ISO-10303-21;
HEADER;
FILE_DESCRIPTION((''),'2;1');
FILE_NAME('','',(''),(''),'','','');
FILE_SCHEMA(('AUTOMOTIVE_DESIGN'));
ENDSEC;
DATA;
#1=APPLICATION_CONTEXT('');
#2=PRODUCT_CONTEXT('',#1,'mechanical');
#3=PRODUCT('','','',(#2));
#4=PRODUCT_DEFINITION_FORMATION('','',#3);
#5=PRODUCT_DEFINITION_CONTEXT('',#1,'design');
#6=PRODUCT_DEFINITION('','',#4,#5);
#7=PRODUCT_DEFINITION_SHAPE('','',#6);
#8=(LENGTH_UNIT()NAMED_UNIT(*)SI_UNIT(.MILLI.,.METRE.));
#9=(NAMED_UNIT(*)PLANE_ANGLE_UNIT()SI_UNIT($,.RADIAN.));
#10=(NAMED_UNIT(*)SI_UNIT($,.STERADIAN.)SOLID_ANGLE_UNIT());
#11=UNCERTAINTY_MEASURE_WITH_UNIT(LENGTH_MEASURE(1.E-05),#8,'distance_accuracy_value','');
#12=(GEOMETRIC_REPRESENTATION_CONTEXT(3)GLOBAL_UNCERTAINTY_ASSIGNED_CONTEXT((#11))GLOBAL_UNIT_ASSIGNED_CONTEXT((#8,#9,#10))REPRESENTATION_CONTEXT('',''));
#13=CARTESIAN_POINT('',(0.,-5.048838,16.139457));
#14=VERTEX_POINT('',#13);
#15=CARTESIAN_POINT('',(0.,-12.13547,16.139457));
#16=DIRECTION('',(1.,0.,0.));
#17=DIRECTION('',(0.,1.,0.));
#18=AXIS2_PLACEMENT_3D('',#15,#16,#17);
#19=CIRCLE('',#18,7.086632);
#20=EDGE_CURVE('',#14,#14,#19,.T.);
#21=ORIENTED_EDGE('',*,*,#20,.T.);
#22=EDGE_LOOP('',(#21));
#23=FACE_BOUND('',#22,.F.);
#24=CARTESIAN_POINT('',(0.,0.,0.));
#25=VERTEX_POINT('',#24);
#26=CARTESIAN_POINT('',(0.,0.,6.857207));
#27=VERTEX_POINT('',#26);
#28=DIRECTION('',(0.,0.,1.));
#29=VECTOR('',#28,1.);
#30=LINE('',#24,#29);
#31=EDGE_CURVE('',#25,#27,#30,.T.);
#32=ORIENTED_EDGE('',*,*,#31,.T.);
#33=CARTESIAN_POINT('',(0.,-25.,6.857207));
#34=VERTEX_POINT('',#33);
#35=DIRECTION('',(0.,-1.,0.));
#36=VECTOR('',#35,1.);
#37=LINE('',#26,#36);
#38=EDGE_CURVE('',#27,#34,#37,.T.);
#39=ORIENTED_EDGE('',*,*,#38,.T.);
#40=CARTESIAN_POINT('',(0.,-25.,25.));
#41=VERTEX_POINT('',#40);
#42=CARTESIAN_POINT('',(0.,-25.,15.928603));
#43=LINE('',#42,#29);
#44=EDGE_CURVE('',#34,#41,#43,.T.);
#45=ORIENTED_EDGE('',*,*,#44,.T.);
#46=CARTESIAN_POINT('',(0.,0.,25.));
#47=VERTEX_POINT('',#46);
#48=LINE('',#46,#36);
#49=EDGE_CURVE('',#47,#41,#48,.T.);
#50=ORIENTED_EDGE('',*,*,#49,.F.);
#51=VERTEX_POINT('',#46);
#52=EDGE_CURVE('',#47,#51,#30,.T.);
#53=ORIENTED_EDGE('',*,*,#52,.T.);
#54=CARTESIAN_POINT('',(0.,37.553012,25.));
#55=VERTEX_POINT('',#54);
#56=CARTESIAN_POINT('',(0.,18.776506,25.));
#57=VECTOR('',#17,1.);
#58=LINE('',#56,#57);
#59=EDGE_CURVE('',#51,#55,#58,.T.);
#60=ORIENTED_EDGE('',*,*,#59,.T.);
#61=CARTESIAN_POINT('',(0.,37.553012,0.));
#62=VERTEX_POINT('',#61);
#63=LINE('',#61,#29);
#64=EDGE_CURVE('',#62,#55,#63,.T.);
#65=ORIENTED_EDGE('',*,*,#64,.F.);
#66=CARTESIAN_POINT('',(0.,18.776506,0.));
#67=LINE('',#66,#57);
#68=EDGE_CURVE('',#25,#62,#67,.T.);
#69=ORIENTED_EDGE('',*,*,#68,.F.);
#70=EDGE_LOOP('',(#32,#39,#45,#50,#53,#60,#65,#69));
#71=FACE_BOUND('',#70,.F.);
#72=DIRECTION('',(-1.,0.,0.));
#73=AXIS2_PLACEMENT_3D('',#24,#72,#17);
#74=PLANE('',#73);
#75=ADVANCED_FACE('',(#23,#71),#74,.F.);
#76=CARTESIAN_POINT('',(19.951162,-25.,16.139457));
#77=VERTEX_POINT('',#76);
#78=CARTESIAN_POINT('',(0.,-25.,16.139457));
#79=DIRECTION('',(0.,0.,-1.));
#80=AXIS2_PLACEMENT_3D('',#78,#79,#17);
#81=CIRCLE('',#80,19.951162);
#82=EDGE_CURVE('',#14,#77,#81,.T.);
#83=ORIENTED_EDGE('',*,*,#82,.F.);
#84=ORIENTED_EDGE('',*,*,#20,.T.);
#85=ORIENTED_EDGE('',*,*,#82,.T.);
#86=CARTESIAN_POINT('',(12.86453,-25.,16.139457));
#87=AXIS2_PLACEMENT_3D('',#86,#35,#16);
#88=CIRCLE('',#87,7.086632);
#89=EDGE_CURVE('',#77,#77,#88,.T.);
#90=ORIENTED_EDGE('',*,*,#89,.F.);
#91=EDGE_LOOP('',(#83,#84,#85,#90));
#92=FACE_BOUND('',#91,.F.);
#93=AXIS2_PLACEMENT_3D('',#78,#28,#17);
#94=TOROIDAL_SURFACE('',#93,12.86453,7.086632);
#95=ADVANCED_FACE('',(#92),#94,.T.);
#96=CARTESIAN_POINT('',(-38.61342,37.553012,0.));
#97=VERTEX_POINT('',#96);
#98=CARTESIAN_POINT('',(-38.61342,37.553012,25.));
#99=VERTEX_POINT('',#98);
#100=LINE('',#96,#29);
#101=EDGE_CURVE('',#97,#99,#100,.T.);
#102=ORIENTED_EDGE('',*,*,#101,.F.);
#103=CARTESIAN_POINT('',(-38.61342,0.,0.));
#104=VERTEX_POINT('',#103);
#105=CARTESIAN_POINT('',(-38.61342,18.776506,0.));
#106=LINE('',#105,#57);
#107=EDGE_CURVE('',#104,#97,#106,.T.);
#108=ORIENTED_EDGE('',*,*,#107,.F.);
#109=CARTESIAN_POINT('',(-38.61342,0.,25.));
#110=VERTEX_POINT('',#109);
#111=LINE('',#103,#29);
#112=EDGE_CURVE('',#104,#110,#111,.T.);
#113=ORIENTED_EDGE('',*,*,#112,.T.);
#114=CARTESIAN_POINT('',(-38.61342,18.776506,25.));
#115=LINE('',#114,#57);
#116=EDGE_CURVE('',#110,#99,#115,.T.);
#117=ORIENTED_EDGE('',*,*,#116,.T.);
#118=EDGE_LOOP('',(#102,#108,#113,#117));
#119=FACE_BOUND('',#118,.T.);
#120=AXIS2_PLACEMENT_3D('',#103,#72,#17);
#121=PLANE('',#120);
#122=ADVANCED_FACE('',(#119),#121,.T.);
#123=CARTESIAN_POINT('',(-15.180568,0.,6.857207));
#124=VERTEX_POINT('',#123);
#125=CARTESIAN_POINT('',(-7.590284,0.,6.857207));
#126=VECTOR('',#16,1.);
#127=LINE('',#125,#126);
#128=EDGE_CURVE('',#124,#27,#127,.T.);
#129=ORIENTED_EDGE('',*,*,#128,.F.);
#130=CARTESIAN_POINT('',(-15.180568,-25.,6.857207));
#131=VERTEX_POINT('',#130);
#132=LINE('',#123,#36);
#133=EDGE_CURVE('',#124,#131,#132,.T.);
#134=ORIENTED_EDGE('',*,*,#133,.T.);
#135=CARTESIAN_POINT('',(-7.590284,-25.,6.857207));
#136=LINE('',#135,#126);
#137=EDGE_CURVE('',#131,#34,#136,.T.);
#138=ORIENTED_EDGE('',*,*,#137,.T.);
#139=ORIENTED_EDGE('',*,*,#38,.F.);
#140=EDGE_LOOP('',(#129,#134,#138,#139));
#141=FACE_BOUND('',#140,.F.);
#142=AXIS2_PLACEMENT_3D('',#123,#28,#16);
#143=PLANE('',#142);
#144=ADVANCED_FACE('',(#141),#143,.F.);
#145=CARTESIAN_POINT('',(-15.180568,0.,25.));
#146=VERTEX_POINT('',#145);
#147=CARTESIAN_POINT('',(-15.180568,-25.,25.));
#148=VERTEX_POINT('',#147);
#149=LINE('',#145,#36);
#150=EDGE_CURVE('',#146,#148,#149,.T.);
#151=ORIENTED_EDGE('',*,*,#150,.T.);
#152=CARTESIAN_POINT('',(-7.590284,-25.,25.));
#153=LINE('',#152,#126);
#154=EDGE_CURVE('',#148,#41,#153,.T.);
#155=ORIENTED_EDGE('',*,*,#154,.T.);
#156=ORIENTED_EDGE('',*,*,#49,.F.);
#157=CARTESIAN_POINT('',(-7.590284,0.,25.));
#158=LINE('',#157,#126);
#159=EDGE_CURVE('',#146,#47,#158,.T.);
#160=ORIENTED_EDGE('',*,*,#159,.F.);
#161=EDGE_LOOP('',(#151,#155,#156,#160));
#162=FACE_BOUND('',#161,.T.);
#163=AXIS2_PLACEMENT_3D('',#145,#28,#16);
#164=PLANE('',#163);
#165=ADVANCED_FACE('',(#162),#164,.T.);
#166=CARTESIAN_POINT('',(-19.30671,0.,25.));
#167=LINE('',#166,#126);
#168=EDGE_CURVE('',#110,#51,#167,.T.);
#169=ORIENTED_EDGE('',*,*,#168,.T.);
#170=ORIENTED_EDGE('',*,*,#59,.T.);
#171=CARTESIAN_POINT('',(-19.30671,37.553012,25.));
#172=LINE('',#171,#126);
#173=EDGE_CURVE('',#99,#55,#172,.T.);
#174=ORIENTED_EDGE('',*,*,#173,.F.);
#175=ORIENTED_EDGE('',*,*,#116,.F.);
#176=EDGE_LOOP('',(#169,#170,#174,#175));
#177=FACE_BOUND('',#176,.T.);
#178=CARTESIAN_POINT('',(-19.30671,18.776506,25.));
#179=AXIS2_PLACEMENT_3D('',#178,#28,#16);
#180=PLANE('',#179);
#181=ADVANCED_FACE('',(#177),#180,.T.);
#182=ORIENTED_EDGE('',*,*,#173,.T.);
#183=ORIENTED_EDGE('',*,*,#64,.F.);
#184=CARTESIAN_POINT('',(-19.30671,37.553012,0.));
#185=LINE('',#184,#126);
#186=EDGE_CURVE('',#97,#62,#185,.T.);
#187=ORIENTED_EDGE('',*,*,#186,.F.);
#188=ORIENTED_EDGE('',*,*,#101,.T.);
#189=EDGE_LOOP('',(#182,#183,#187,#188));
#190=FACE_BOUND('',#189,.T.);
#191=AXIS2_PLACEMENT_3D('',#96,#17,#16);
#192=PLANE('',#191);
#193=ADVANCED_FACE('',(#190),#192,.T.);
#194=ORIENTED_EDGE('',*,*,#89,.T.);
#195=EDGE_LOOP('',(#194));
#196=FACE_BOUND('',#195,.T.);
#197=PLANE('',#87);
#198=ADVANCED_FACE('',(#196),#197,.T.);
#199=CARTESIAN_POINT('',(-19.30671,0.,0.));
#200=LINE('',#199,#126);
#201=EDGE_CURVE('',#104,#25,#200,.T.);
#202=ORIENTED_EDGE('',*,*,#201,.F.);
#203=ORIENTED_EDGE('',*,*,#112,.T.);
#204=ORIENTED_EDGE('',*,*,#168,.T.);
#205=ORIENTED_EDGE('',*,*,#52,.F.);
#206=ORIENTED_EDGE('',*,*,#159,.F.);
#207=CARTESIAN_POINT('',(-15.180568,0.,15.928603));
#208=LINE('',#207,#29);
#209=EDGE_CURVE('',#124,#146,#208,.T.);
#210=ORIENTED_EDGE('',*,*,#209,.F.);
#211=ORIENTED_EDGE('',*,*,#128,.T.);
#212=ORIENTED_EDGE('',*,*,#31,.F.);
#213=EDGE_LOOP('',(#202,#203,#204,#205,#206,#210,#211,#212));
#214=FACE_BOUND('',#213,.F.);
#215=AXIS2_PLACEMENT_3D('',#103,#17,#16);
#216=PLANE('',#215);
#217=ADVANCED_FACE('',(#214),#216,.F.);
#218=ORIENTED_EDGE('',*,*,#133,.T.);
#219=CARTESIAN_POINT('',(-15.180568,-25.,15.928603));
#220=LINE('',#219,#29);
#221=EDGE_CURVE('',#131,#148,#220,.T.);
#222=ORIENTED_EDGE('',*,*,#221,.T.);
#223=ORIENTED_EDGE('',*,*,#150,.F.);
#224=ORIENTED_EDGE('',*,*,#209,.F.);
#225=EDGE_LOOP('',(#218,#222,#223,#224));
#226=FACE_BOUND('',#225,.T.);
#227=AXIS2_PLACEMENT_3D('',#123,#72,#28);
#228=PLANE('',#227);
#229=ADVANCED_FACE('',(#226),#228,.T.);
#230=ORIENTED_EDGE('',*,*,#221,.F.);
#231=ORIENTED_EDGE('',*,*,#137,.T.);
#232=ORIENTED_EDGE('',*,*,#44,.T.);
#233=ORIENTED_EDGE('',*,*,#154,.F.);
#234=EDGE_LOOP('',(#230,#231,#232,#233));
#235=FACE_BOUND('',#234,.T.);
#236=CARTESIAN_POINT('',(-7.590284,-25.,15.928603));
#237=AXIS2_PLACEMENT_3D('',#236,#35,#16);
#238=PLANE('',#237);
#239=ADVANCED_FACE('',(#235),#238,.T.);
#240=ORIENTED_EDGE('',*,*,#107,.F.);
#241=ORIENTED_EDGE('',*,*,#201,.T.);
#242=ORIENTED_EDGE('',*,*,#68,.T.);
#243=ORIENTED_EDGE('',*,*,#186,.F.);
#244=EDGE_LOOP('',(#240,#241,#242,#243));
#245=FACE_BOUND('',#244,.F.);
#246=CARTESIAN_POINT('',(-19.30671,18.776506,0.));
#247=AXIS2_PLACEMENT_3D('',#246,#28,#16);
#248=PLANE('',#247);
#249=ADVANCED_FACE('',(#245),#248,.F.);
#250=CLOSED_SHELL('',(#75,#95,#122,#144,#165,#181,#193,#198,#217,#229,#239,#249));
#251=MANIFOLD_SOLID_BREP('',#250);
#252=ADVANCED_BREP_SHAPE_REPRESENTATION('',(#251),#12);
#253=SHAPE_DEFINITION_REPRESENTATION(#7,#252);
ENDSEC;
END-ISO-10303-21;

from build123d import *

# Parameters (mm, degrees)
F0_W     = 38.61342
F0_H     = 37.553012
F1_DEPTH = 25
F2_W     = 15.180568
F2_H     = 18.142793
F3_DEPTH = 25
F4_R     = 7.086632
F5_ANGLE = 90


with BuildPart() as f1:
    # F0 (on Top) → F1 (new body)
    with BuildSketch(Plane.XY):
        with Locations((-19.30671, 18.776506)):
            Rectangle(F0_W, F0_H)
    extrude(amount=F1_DEPTH)

    # F2 (on face) → F3 (join)
    with BuildSketch(Plane.XZ):
        with Locations((-7.590284, 15.928603)):
            Rectangle(F2_W, F2_H)
    extrude(amount=F3_DEPTH)

    # F4 (on face) → F5 (revolve)
    with BuildSketch(Plane.YZ):
        with Locations((-12.13547, 16.139457)):
            Circle(F4_R)
    revolve(axis=Axis((0, -25, 15.928603), (0, 0, -1)), revolution_arc=F5_ANGLE)


solid = f1.part
